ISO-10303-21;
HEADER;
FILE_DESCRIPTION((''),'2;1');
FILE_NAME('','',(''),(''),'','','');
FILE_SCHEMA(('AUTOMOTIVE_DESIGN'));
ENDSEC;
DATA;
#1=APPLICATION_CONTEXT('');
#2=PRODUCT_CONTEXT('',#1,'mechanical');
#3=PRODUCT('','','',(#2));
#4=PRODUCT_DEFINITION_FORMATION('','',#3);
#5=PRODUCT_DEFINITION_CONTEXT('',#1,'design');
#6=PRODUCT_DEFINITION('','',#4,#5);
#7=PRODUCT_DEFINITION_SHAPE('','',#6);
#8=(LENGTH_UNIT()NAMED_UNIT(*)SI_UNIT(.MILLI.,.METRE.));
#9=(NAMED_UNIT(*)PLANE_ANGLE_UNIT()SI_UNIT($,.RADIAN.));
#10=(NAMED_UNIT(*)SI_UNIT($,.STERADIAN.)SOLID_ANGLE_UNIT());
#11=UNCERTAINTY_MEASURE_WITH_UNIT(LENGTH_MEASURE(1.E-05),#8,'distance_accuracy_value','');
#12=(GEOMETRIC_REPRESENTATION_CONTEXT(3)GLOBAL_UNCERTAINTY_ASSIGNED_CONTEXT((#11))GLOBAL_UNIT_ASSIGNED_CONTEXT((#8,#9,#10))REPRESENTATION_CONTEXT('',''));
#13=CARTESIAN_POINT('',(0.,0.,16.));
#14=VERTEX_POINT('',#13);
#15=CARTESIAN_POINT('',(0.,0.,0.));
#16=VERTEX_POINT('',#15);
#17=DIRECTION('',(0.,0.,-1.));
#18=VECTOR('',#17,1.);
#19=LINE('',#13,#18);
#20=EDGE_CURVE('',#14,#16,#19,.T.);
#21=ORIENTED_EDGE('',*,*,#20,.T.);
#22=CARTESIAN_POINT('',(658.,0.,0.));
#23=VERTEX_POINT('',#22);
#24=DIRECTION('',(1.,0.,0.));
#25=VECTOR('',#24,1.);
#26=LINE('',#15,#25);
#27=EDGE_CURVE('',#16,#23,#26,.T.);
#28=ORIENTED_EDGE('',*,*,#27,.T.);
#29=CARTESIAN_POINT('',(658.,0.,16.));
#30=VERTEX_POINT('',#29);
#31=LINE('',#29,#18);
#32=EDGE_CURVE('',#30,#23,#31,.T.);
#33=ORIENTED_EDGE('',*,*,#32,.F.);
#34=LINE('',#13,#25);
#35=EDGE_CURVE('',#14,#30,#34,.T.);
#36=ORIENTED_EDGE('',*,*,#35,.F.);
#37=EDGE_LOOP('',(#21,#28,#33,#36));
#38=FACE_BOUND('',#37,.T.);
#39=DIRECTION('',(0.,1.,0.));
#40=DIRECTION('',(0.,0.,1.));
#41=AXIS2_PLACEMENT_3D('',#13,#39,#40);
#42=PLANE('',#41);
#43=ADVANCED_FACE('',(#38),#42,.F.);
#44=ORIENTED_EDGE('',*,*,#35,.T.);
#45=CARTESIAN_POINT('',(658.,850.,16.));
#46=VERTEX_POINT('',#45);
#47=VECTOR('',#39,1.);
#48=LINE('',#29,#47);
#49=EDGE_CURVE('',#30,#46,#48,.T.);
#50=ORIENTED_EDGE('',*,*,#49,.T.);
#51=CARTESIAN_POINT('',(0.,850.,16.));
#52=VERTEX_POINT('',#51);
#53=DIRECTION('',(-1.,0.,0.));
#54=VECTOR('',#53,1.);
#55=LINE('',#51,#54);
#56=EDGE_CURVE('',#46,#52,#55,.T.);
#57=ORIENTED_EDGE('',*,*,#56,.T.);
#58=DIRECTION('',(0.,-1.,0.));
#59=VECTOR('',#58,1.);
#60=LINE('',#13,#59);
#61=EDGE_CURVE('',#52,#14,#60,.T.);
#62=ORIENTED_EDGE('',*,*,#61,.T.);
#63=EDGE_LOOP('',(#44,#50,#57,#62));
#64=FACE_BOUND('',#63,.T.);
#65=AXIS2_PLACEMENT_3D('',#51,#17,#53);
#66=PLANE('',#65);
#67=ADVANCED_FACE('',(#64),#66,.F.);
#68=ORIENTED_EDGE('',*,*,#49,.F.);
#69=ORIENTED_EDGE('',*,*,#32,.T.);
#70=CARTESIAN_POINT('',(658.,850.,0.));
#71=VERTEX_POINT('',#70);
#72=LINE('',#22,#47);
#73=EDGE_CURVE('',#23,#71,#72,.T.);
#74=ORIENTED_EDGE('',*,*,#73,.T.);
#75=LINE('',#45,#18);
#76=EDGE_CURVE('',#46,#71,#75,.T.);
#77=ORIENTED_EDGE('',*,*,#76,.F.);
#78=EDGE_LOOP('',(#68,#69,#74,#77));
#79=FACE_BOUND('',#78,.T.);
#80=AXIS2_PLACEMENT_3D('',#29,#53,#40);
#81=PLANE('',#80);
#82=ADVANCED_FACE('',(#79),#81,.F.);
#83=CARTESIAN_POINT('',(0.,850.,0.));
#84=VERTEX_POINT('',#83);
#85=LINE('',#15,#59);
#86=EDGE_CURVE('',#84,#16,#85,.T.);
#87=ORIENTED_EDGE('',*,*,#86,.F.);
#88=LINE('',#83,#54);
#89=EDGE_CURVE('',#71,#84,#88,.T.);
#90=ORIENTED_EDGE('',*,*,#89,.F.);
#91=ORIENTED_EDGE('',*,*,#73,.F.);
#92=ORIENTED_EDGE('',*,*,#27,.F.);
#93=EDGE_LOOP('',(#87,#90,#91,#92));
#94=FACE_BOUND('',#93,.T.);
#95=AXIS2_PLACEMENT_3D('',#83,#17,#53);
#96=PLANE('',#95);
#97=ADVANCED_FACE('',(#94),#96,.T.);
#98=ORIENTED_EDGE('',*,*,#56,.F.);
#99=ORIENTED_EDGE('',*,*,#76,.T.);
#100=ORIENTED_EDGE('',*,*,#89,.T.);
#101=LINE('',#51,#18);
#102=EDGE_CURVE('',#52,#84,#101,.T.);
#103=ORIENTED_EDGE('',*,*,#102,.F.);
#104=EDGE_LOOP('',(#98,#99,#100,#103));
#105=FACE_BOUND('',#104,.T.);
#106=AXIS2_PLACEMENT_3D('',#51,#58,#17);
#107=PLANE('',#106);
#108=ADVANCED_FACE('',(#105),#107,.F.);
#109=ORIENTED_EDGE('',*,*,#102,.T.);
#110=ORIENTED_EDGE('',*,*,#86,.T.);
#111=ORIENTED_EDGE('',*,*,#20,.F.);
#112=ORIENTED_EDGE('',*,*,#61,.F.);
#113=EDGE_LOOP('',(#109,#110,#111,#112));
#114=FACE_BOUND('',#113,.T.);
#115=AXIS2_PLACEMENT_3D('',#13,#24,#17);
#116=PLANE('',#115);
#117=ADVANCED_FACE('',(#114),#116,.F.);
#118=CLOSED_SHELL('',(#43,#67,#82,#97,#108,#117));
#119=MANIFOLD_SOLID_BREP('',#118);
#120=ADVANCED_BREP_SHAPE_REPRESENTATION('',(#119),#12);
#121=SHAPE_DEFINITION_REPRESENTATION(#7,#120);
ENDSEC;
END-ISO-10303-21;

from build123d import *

# Parameters (mm, degrees)
SKETCH1_W      = 658
SKETCH1_H      = 850
EXTRUDE1_DEPTH = 16


with BuildPart() as part:
    # Sketch1 → Extrude1 (new body)
    with BuildSketch(Plane.XY):
        with Locations((329, 425)):
            Rectangle(SKETCH1_W, SKETCH1_H)
    extrude(amount=EXTRUDE1_DEPTH)


solid = part.part
